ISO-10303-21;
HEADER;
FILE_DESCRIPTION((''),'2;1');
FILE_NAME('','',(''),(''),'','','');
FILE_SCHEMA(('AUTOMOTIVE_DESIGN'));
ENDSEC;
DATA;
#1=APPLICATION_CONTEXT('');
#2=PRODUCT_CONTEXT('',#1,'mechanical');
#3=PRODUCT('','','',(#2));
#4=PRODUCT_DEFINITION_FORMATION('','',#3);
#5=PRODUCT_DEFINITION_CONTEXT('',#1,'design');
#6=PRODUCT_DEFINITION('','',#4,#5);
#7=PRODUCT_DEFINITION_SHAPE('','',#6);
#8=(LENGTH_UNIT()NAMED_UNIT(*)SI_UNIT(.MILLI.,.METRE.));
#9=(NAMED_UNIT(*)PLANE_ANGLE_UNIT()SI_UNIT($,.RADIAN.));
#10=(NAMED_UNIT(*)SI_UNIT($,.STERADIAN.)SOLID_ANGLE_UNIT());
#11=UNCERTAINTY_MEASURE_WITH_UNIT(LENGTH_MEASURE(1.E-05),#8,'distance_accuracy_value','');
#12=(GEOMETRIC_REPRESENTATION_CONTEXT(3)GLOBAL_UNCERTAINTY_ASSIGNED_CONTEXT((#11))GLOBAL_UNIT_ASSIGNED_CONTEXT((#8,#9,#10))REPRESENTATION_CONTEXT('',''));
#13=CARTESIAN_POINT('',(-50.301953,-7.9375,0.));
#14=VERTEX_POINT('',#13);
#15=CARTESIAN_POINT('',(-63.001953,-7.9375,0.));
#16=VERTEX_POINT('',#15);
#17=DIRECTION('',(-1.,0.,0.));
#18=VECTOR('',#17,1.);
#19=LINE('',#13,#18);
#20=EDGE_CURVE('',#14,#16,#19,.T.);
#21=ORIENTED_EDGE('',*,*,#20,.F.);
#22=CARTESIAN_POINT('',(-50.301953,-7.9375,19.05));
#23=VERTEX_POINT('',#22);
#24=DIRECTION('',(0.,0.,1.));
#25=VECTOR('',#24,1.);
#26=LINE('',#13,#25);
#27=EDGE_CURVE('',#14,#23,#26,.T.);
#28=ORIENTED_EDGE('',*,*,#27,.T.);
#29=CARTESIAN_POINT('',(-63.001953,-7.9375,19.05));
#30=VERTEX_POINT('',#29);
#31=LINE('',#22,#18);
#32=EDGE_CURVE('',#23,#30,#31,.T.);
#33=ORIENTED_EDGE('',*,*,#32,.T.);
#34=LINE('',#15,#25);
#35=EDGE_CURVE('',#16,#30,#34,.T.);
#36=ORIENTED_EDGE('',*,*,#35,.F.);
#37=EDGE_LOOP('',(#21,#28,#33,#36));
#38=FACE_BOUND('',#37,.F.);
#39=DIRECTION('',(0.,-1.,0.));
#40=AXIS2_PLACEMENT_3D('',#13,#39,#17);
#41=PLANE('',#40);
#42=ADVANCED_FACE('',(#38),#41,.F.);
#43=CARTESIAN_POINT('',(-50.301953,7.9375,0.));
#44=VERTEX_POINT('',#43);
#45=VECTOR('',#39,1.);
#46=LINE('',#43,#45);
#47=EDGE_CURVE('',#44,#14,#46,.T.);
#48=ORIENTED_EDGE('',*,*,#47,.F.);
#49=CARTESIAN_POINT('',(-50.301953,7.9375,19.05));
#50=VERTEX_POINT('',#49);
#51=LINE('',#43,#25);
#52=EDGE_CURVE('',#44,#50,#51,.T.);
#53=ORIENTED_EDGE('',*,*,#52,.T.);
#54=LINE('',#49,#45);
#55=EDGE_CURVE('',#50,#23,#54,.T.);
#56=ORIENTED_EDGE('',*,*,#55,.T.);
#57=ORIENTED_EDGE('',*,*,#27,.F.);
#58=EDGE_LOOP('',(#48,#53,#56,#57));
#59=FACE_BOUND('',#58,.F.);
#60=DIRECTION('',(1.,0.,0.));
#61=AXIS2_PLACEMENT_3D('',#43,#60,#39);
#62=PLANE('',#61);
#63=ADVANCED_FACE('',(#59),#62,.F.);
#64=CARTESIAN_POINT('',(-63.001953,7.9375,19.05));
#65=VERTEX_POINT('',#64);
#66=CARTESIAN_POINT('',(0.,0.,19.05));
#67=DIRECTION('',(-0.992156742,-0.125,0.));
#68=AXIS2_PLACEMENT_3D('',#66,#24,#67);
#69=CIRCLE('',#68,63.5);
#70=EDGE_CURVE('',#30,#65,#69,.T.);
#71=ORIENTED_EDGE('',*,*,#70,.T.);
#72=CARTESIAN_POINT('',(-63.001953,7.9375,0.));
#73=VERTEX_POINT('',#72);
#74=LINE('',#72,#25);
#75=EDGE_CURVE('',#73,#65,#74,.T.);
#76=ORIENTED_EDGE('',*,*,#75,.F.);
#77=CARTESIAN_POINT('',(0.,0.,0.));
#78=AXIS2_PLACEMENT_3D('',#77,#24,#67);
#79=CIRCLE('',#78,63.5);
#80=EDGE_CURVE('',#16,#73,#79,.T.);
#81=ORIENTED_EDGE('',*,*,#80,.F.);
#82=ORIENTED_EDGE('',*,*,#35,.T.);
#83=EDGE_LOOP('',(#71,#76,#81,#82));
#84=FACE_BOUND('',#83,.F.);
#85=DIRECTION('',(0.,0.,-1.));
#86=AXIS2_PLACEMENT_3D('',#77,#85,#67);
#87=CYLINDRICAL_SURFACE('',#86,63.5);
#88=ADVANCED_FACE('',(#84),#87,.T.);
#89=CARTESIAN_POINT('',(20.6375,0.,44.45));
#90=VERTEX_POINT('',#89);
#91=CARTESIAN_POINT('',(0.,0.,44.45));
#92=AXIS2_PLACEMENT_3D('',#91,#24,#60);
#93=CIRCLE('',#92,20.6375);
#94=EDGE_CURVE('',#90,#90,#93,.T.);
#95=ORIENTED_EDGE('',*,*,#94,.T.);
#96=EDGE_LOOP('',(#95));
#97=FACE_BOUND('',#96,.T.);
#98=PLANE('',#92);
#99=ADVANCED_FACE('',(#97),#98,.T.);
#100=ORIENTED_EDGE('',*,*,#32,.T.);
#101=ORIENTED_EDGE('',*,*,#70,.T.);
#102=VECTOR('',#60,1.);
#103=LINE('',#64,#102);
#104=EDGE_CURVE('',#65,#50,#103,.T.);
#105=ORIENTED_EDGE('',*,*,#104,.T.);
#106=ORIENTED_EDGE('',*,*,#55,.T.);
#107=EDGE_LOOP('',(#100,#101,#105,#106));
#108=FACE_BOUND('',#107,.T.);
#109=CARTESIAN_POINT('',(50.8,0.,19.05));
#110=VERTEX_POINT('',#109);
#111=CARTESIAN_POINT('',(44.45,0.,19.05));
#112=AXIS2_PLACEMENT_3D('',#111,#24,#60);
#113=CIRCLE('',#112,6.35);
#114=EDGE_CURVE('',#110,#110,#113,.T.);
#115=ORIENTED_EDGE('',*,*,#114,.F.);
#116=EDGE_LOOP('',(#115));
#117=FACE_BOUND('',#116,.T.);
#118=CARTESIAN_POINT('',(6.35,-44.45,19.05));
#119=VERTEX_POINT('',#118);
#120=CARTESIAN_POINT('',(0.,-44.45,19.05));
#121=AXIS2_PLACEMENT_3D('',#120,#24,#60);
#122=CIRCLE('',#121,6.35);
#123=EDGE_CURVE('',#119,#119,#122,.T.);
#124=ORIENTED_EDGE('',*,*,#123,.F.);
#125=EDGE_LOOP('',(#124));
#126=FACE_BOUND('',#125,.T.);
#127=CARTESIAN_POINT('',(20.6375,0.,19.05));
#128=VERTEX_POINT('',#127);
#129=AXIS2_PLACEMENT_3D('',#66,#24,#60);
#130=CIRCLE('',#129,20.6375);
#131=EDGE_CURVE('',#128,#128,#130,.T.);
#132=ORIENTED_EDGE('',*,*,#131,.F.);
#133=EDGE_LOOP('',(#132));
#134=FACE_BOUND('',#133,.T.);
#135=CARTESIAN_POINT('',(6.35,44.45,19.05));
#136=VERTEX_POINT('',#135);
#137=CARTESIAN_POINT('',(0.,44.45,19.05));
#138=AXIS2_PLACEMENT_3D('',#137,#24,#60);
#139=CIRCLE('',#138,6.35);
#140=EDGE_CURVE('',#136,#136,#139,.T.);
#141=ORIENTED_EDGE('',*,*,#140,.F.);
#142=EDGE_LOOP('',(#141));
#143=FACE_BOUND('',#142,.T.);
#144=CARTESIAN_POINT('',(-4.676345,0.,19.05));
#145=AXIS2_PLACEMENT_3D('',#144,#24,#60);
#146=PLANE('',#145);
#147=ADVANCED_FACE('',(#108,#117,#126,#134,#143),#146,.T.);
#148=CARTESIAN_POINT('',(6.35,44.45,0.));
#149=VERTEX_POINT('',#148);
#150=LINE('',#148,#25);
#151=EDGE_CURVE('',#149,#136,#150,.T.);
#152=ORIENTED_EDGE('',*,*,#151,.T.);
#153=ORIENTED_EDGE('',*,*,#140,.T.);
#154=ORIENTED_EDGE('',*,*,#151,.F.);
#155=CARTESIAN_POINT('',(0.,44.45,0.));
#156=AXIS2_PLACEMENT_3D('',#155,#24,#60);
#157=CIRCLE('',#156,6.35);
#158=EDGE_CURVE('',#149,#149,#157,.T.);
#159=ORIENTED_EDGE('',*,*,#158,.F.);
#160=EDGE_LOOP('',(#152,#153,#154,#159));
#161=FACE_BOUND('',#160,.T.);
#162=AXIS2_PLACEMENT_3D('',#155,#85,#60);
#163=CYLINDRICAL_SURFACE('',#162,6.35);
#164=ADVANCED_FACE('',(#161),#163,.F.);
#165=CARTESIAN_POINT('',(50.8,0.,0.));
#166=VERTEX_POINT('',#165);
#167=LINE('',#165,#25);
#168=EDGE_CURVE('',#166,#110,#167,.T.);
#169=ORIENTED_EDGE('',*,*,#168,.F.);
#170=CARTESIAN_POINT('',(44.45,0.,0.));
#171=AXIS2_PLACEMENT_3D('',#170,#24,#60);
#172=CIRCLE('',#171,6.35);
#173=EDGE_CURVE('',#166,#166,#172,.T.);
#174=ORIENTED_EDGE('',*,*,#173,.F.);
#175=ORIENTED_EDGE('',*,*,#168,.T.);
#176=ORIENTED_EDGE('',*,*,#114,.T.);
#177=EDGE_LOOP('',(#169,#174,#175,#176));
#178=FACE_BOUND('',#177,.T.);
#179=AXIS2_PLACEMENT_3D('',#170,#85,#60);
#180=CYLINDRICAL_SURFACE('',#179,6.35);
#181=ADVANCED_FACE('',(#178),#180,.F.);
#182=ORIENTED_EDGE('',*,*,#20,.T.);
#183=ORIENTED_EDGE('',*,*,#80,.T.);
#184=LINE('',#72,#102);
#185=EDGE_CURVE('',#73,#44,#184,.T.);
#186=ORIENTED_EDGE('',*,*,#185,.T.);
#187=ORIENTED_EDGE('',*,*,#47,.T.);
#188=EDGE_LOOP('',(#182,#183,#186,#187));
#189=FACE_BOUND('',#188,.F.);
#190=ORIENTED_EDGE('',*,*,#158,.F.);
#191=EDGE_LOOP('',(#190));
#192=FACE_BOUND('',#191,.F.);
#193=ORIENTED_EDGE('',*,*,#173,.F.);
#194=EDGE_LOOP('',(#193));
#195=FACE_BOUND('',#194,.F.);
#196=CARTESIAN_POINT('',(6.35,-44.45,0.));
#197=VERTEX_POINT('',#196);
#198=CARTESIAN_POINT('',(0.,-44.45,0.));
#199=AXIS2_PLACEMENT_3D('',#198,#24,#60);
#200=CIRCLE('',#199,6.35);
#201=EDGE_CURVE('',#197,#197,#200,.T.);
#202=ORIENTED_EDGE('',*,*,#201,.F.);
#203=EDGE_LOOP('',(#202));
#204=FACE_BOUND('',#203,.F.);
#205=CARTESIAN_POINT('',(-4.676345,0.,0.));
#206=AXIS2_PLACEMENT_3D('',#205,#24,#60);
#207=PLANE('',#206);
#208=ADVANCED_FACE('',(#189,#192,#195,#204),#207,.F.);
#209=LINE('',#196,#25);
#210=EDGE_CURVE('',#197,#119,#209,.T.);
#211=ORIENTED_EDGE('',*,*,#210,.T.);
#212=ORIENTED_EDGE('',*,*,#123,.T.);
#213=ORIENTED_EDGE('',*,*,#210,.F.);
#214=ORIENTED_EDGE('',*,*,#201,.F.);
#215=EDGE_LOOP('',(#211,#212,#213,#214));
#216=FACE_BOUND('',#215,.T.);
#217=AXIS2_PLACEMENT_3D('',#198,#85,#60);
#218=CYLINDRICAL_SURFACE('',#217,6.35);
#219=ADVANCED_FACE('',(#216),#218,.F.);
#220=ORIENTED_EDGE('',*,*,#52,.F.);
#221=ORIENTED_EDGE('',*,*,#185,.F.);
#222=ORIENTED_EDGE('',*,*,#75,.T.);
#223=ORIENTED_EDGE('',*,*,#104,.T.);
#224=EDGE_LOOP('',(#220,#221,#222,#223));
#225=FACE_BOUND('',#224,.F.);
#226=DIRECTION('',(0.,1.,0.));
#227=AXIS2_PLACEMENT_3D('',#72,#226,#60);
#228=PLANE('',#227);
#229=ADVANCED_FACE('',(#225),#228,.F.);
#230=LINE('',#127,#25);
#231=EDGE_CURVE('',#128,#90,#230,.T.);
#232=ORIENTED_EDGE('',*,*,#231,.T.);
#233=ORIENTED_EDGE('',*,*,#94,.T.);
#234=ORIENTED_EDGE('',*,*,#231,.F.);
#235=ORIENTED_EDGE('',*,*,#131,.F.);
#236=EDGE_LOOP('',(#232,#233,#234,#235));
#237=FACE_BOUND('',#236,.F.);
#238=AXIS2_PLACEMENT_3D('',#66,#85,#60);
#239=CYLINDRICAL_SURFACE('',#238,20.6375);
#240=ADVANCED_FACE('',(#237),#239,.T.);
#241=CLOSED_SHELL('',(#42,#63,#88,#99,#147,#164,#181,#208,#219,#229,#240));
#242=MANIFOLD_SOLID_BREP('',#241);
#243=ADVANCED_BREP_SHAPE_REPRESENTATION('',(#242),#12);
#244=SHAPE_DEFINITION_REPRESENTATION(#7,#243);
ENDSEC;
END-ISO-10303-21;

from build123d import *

# Parameters (mm, degrees)
F0_R     = 6.35
F1_DEPTH = 19.05
F2_R     = 20.6375
F3_DEPTH = 25.4


with BuildPart() as f1:
    # F0 (on Top) → F1 (new body)
    with BuildSketch(Plane.XY):
        with BuildLine():
            Line((-50.301953, -7.9375), (-63.001953, -7.9375))
            ThreePointArc((-63.001953, -7.9375), (63.5, 0), (-63.001953, 7.9375))
            Line((-63.001953, 7.9375), (-50.301953, 7.9375))
            Line((-50.301953, 7.9375), (-50.301953, -7.9375))
        make_face()
        with Locations((0, -44.45)):
            Circle(F0_R, mode=Mode.SUBTRACT)
        with Locations((0, 44.45)):
            Circle(F0_R, mode=Mode.SUBTRACT)
        with Locations((44.45, 0)):
            Circle(F0_R, mode=Mode.SUBTRACT)
    extrude(amount=F1_DEPTH)

    # F2 (on face) → F3 (join)
    with BuildSketch(Plane.XY.offset(19.05)):
        Circle(F2_R)
    extrude(amount=F3_DEPTH)


solid = f1.part
